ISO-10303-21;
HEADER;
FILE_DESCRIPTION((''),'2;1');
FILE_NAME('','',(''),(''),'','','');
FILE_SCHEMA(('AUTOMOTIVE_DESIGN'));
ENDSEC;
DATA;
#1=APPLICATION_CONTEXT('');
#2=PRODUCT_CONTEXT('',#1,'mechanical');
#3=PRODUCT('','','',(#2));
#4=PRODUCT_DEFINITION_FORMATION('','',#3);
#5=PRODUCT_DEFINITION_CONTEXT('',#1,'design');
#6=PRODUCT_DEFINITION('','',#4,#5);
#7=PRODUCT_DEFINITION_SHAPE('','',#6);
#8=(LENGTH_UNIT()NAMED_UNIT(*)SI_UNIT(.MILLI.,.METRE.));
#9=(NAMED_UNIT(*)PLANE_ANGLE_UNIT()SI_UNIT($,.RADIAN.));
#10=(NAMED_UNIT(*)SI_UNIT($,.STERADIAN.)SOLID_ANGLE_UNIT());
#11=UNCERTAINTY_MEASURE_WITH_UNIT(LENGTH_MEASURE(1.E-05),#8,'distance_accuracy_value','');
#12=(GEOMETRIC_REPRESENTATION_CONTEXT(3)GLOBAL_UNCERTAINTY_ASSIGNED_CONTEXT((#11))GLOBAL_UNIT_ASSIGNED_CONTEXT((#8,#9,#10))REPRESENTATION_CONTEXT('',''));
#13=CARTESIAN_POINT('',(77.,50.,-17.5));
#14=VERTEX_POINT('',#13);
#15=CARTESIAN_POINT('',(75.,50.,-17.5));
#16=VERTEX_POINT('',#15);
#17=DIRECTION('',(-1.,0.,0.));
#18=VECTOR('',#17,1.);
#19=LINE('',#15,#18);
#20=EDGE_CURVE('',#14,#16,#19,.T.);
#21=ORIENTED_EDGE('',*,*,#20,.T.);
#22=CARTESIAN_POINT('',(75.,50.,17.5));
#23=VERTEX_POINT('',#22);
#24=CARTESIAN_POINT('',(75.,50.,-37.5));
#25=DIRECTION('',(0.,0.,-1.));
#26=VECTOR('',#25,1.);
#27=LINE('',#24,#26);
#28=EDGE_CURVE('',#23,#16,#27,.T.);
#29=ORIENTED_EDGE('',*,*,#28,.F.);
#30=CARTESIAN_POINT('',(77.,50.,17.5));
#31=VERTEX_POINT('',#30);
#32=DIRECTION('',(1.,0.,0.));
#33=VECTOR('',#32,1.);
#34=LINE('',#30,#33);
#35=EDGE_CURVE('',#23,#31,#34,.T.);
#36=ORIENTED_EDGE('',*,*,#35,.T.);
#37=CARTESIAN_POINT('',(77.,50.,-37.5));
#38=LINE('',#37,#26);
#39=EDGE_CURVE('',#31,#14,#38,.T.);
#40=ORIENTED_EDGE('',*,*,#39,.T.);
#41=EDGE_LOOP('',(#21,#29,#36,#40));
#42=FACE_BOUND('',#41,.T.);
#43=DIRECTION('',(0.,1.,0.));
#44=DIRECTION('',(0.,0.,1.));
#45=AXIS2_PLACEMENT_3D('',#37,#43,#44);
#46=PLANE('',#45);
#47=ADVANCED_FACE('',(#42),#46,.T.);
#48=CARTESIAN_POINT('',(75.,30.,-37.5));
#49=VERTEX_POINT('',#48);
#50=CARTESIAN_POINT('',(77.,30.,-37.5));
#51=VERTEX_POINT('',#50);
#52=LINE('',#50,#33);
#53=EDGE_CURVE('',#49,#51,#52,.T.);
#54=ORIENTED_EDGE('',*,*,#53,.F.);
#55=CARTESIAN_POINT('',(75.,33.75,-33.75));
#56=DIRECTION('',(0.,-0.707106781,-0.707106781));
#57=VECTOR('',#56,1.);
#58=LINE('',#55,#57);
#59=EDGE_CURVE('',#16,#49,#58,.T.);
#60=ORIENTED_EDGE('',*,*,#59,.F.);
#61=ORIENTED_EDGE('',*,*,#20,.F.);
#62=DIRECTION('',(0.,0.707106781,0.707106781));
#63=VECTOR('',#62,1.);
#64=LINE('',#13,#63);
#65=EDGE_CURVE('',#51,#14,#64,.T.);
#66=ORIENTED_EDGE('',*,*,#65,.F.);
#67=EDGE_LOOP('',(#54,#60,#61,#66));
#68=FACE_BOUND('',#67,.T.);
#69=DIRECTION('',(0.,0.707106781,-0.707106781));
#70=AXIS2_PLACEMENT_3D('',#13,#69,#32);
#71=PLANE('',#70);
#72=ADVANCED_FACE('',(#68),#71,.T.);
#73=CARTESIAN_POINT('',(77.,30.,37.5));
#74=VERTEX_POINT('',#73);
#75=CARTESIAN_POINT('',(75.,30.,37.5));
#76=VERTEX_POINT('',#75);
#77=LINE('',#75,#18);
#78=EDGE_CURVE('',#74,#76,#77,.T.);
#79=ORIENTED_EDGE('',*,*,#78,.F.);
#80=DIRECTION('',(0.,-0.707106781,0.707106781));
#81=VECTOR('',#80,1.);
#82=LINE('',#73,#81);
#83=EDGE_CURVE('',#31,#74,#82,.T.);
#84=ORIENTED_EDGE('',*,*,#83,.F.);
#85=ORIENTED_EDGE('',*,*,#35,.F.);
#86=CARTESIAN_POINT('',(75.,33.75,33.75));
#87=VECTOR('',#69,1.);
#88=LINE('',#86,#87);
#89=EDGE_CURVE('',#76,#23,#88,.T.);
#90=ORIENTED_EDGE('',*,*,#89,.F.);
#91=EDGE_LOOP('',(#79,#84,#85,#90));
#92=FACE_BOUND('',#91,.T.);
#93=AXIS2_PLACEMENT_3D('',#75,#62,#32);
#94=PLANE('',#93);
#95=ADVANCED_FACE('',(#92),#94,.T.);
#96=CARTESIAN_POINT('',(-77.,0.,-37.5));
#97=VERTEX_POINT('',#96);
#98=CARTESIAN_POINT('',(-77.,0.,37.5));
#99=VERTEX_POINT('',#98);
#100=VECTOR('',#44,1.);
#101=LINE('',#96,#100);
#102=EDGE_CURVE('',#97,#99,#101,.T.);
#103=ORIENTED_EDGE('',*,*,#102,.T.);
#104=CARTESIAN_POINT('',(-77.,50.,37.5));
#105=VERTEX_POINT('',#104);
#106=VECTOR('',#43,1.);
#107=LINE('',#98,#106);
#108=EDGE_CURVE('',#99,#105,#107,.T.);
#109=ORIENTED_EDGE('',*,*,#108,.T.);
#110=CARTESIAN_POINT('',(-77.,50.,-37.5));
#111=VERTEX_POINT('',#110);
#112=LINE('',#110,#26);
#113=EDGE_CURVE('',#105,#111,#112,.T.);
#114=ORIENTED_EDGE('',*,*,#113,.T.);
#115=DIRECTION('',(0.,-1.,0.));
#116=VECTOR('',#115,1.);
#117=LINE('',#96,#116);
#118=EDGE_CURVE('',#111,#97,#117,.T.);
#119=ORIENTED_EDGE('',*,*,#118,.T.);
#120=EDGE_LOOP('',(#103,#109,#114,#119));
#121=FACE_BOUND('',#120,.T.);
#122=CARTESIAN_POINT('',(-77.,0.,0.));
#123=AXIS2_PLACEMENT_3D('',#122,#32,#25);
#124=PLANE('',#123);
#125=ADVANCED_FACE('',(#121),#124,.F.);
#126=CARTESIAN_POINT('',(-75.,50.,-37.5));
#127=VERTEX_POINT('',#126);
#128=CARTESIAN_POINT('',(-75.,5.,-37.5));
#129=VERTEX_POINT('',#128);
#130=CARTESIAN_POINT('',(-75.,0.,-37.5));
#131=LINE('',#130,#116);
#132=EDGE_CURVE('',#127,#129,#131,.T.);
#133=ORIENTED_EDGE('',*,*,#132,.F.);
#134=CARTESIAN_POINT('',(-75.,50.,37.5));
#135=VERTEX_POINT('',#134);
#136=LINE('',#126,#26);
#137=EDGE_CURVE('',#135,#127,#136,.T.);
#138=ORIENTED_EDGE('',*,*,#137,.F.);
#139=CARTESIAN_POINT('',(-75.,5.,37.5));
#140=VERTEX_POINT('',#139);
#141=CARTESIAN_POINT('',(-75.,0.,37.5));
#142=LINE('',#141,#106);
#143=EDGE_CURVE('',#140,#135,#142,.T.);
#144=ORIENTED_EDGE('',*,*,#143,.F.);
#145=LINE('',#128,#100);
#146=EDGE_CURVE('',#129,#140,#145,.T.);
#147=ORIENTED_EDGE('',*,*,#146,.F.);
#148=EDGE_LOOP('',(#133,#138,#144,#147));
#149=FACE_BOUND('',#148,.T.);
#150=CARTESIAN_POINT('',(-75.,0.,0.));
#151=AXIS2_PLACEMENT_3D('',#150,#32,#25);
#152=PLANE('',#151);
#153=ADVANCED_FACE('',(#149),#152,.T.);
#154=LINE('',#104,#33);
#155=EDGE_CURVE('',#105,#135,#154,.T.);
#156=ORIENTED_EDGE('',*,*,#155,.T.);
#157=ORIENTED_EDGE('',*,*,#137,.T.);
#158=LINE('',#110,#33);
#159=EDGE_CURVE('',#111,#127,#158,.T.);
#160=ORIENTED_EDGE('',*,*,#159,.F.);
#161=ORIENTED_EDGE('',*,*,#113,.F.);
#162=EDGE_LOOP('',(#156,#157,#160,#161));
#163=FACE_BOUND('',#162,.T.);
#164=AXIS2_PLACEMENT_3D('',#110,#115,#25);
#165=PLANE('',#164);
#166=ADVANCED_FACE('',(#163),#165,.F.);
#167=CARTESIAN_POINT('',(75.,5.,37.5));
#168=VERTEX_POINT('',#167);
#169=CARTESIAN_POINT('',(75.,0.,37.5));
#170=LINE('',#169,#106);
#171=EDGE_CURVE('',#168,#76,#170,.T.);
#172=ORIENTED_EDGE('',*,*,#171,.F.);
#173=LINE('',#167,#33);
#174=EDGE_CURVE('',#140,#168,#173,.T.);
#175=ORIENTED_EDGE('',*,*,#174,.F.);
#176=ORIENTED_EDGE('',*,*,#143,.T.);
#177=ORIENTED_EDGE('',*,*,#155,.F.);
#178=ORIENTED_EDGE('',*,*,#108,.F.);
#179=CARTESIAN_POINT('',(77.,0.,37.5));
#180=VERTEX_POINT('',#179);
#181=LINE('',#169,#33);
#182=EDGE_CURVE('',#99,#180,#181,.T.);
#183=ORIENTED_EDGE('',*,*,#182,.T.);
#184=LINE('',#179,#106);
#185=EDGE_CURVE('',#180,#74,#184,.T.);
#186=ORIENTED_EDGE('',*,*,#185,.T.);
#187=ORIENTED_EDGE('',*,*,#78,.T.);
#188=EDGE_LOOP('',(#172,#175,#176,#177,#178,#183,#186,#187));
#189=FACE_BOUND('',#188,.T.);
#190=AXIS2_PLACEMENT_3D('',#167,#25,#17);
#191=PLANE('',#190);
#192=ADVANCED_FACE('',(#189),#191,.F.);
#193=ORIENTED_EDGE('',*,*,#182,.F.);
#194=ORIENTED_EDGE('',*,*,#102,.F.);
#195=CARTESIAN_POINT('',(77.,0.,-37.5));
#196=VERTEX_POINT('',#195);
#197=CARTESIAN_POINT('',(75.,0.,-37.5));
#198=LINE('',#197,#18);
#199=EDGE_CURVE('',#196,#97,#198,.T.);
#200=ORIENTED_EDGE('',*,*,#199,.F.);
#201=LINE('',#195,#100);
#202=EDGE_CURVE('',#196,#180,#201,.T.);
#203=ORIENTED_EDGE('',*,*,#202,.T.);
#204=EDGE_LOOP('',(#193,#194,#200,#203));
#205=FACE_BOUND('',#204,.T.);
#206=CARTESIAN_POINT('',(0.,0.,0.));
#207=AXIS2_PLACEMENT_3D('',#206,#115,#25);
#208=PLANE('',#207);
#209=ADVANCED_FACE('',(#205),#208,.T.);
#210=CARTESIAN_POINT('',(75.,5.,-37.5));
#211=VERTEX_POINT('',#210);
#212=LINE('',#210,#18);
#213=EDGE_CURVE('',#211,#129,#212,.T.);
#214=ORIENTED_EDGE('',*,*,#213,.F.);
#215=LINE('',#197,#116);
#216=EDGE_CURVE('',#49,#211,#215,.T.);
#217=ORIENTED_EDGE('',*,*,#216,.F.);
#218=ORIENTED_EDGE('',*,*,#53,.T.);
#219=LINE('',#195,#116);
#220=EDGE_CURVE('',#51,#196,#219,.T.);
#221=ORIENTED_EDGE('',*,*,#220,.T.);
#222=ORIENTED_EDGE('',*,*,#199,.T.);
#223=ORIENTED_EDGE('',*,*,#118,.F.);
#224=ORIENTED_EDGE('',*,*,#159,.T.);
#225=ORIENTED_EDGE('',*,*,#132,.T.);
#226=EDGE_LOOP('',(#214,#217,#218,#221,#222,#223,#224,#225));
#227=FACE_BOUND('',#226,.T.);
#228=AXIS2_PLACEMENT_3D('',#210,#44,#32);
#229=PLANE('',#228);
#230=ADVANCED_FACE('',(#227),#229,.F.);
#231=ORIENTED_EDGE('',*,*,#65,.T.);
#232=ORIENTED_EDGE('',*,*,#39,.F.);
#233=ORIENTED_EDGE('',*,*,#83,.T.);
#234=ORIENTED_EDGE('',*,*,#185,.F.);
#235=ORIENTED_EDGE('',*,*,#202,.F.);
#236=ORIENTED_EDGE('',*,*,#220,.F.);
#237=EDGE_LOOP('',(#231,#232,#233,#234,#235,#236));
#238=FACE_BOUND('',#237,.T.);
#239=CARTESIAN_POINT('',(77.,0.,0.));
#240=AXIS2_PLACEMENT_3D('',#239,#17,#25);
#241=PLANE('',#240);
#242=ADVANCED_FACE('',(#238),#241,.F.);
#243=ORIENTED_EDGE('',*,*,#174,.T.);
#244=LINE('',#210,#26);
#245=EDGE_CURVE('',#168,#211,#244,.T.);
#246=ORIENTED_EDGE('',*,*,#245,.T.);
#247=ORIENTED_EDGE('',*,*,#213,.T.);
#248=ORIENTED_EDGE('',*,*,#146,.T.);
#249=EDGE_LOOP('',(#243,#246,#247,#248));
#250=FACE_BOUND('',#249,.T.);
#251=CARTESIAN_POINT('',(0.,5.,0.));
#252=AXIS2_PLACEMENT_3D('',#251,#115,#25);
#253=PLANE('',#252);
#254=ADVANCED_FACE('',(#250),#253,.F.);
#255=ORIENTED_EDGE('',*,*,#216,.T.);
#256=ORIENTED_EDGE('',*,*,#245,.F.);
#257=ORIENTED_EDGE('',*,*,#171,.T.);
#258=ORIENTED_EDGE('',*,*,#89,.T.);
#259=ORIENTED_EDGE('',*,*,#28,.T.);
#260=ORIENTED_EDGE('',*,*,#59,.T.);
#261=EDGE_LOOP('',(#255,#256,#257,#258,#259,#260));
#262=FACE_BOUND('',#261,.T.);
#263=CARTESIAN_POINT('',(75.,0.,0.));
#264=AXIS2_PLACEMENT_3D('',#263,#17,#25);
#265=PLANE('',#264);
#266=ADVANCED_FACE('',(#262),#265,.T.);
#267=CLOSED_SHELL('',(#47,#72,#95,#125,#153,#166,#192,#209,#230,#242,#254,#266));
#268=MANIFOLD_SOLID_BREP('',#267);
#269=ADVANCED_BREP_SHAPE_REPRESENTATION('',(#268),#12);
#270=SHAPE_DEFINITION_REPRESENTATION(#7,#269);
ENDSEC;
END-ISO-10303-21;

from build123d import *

# Parameters (mm, degrees)
SKETCH1_W           = 150
SKETCH1_H           = 75
BOSS_EXTRUDE1_DEPTH = 5
SKETCH2_W           = 75
SKETCH2_H           = 50
BOSS_EXTRUDE2_DEPTH = 2
CHAMFER1_SIZE       = 20


with BuildPart() as part:
    # Sketch1 → Boss-Extrude1 (new body)
    with BuildSketch(Plane(origin=(0, 0, 0), x_dir=(1, 0, 0), z_dir=(0, 1, 0))):
        Rectangle(SKETCH1_W, SKETCH1_H)
    extrude(amount=BOSS_EXTRUDE1_DEPTH)

    # Sketch2 → Boss-Extrude2 (add)
    with BuildSketch(Plane.ZY.offset(75)):
        with Locations((0, 25)):
            Rectangle(SKETCH2_W, SKETCH2_H)
    boss_extrude2 = extrude(amount=BOSS_EXTRUDE2_DEPTH)

    # Mirror1: Boss-Extrude2 across plane
    add(boss_extrude2.mirror(Plane(origin=(0, 0, 0), x_dir=(0, 0, 1), z_dir=(1, 0, 0))))

    # Chamfer1
    chamfer1_edges = [part.edges().sort_by_distance(p)[0] for p in [
        (76, 50, -37.5),
        (76, 50, 37.5),
    ]]
    chamfer(chamfer1_edges, length=CHAMFER1_SIZE)


solid = part.part
